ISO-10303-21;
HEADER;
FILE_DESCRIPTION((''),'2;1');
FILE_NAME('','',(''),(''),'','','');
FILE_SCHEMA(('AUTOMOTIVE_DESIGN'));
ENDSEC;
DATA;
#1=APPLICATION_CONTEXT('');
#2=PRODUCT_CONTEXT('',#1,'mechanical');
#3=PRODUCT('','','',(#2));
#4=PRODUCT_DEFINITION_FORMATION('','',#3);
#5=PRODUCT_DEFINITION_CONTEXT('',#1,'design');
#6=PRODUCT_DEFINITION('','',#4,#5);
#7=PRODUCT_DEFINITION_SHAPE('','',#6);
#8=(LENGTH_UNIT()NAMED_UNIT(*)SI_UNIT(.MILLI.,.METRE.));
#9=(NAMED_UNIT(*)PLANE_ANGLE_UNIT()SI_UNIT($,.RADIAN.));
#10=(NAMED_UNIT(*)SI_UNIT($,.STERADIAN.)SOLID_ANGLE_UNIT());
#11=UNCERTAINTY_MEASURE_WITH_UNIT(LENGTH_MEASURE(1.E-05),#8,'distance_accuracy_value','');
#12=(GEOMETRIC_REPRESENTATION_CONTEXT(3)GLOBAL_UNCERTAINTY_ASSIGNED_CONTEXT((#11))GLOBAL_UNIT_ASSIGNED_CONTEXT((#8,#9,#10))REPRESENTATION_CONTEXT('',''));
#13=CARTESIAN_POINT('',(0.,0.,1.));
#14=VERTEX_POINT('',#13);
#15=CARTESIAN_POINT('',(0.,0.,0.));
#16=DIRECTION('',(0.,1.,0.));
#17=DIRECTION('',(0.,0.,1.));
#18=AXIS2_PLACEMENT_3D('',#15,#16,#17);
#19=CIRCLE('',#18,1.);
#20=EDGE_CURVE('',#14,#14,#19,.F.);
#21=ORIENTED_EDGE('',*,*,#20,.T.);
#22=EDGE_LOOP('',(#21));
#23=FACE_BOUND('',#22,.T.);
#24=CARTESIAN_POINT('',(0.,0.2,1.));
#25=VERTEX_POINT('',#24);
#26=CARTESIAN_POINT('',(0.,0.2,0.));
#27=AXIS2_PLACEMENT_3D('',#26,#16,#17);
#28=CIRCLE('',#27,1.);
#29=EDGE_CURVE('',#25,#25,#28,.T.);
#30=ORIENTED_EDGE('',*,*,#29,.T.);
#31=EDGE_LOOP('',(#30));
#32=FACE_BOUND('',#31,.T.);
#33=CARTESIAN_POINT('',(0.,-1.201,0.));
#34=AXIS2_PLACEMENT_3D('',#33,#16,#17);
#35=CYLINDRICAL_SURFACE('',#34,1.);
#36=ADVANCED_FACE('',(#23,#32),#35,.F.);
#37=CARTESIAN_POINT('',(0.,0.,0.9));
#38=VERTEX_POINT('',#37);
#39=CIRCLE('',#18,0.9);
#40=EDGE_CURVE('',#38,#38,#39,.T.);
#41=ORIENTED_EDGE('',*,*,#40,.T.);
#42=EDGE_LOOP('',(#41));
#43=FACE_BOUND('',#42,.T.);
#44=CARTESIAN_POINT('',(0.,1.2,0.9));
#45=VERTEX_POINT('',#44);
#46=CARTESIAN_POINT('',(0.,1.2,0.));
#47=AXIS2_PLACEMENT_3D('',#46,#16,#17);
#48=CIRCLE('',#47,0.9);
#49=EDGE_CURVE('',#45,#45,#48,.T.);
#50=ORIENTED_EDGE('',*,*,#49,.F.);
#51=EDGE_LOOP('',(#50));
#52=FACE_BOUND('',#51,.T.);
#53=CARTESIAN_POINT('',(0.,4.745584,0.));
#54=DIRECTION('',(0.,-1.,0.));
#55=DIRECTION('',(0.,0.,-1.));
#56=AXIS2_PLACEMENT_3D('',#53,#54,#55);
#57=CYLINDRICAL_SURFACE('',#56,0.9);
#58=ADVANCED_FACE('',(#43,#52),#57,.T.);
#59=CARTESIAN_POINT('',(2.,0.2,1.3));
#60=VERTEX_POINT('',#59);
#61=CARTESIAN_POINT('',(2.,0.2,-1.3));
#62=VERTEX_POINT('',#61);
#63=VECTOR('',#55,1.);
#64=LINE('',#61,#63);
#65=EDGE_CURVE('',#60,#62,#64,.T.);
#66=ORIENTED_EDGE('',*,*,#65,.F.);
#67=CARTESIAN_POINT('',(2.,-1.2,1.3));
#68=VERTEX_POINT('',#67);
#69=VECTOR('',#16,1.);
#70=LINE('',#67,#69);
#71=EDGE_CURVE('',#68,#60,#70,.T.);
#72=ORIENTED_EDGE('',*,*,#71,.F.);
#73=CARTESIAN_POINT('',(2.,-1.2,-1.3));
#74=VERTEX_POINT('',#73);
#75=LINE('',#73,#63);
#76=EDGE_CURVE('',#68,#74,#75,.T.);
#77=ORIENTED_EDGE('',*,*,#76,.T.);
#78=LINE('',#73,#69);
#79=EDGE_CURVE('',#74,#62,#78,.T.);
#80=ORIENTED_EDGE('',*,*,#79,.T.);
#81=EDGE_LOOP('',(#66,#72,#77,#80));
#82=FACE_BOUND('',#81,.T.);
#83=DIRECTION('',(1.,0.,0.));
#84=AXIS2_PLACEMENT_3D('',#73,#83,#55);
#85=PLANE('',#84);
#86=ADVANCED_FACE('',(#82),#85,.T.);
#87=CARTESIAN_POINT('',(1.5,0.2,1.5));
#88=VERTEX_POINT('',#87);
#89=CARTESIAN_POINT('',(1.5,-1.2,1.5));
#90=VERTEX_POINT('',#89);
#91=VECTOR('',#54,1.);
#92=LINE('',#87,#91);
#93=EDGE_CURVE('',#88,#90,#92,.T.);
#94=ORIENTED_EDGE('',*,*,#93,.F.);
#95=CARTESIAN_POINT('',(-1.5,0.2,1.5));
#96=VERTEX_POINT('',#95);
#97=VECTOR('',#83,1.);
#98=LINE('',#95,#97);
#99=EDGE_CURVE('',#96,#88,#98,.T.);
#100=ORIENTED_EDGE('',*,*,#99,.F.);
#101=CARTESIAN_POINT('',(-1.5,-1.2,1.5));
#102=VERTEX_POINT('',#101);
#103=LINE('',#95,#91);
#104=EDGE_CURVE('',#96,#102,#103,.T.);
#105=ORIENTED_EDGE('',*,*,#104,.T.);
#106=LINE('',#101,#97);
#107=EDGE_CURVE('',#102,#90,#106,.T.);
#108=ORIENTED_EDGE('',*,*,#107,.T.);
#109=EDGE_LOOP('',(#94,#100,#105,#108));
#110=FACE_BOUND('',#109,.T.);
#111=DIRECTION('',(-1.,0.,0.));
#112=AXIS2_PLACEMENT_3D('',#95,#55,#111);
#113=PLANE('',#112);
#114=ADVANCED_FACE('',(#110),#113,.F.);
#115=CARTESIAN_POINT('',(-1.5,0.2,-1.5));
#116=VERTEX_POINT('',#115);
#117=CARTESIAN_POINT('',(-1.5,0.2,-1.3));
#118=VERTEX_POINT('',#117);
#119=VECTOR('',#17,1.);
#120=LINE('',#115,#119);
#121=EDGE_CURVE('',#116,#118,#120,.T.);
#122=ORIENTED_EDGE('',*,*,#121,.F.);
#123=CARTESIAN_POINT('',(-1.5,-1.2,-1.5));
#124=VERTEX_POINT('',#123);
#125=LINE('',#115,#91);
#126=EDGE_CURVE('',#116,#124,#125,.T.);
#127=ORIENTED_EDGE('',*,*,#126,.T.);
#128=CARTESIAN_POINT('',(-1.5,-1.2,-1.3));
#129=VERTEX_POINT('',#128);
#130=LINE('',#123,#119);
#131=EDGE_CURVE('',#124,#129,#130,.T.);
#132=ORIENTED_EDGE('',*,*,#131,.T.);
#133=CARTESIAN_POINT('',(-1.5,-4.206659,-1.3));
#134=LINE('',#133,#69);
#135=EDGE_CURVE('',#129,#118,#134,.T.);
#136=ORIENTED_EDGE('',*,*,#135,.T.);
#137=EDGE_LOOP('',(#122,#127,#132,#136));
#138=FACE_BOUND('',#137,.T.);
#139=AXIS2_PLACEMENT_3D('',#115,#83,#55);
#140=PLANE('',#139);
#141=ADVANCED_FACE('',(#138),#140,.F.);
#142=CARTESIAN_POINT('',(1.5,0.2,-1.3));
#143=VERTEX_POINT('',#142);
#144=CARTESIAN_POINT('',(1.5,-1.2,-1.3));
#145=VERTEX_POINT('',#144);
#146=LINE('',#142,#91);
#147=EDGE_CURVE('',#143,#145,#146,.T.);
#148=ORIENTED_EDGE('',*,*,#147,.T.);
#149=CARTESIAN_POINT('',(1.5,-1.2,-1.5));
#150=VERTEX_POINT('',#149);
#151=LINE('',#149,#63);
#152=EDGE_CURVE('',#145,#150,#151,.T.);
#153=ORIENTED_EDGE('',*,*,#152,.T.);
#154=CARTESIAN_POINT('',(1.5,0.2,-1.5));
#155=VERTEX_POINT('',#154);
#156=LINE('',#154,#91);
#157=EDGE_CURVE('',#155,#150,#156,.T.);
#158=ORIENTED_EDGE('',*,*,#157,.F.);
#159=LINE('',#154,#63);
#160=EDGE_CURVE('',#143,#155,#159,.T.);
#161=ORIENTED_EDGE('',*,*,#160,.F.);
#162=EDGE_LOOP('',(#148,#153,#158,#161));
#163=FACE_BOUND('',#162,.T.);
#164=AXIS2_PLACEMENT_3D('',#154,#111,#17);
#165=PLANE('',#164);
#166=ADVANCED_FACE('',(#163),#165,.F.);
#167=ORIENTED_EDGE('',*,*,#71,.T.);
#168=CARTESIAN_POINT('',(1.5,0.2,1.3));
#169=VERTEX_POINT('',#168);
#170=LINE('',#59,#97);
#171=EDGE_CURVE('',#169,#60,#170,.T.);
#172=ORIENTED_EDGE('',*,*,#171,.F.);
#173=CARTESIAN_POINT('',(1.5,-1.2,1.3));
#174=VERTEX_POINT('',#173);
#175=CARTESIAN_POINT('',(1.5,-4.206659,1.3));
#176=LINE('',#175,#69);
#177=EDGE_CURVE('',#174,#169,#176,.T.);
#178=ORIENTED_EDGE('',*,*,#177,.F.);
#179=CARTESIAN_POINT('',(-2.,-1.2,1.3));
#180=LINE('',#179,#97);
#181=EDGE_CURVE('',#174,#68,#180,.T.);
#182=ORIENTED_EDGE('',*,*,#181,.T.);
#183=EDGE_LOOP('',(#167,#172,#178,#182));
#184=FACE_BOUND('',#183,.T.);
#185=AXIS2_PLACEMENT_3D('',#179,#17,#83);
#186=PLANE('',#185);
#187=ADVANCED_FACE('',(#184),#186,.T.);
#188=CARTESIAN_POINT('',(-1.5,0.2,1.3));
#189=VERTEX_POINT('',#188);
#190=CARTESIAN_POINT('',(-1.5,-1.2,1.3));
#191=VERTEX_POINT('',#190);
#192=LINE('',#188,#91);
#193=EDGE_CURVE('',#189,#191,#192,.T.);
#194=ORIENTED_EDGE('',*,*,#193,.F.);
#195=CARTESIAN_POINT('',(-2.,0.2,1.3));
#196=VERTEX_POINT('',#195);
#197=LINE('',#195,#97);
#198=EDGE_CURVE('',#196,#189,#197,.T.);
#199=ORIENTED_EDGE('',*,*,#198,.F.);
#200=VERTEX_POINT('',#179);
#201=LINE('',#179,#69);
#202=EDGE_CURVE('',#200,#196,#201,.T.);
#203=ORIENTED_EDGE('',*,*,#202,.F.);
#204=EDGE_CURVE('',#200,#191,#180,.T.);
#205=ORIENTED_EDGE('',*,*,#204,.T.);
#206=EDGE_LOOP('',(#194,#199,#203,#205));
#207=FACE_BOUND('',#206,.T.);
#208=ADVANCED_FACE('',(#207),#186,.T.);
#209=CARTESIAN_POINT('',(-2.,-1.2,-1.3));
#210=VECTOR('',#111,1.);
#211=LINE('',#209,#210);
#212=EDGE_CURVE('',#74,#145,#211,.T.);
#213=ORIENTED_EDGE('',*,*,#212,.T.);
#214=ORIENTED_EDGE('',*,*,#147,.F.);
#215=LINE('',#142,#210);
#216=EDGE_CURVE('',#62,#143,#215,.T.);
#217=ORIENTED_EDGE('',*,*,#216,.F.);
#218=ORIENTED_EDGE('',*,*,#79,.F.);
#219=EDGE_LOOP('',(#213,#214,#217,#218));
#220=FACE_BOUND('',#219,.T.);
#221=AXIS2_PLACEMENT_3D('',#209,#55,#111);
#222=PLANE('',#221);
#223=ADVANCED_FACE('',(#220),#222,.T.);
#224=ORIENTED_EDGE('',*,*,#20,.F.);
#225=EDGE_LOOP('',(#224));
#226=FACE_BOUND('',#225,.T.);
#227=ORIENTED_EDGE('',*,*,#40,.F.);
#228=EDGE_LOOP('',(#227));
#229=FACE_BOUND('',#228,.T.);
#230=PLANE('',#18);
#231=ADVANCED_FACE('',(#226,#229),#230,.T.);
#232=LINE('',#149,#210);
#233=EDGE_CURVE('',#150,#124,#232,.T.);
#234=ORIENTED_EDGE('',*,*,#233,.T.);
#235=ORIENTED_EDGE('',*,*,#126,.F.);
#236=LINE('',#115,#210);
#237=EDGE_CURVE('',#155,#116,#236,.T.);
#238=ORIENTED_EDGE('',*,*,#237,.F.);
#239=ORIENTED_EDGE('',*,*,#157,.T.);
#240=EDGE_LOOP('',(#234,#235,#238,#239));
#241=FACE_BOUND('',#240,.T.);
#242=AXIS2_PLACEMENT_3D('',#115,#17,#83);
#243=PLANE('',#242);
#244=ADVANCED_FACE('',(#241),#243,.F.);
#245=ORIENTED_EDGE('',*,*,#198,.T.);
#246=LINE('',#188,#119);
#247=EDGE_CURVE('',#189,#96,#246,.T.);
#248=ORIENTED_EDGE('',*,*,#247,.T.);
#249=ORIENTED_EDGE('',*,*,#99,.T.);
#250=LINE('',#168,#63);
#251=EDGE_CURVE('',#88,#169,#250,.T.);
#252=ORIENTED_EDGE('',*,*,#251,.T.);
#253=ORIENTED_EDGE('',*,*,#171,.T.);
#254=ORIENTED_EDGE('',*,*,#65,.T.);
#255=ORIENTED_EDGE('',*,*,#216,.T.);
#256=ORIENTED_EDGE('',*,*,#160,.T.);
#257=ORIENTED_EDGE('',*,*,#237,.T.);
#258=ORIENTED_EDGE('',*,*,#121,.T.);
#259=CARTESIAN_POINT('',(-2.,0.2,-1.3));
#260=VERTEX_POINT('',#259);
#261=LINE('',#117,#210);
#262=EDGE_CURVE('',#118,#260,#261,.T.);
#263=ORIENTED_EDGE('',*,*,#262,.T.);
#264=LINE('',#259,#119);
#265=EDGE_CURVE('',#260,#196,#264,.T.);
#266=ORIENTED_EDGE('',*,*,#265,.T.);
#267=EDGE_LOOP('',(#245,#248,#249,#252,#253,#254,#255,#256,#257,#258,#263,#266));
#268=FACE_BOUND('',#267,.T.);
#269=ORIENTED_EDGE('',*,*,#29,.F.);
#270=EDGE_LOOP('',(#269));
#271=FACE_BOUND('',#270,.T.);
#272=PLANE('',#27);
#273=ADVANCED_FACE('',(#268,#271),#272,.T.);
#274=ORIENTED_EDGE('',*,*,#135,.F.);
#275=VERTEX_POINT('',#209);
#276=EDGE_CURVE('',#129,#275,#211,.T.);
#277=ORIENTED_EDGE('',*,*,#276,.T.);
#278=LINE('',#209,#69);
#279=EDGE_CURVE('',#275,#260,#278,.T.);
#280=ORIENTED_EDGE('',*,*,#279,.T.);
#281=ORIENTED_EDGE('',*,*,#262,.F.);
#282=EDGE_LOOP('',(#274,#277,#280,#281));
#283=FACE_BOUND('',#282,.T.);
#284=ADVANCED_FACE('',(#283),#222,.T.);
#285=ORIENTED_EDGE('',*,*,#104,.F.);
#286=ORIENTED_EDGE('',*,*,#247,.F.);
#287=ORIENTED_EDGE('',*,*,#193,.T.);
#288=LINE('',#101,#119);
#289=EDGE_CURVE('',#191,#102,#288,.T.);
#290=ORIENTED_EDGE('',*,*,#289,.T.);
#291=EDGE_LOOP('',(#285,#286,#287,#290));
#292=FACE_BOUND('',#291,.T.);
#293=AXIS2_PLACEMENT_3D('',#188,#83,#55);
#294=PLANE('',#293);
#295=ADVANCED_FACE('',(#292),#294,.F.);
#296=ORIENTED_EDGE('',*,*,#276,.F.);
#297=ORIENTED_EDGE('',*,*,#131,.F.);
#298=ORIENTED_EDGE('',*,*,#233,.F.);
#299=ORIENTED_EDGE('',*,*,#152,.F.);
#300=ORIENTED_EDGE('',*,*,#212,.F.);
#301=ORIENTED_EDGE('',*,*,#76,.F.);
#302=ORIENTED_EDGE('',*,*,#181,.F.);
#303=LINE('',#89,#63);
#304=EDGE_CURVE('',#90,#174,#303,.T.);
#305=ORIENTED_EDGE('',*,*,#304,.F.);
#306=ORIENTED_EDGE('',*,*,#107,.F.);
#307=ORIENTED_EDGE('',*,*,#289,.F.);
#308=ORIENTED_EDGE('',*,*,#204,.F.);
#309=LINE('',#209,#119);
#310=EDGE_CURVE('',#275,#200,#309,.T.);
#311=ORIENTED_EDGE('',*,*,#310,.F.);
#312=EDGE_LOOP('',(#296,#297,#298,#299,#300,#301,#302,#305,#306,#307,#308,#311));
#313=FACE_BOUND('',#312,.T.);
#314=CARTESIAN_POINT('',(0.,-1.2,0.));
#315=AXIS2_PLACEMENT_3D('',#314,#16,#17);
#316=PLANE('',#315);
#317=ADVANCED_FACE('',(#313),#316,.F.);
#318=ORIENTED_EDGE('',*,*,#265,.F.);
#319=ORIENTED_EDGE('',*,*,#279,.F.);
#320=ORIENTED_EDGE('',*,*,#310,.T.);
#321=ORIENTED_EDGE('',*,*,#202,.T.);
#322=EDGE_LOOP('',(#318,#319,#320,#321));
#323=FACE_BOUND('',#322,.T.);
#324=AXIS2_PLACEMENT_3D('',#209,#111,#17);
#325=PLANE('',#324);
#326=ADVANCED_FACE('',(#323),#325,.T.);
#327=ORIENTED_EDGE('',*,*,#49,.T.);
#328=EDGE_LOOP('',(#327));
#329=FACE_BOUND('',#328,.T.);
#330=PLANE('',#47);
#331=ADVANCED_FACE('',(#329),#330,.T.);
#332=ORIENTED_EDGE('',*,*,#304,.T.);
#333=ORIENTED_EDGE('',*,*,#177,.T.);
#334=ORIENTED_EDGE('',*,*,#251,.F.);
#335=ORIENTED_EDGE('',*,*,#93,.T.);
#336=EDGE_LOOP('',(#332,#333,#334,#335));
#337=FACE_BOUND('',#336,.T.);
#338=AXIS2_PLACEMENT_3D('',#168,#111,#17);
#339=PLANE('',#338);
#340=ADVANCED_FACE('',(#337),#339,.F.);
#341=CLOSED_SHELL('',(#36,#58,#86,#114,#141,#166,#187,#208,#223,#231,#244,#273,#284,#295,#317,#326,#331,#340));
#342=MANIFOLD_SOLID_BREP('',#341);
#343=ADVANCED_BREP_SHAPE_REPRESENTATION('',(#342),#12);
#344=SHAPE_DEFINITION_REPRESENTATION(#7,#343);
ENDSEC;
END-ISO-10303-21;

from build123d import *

# Parameters (mm, degrees)
SKETCH1_W           = 4
SKETCH1_H           = 2.6
BOSS_EXTRUDE1_DEPTH = 1.2
BOSS_EXTRUDE2_DEPTH = 0.2
SKETCH3_W           = 3
SKETCH3_H           = 0.2
BOSS_EXTRUDE3_DEPTH = 1.2
SKETCH4_R           = 1
CUT_EXTRUDE1_DEPTH  = 0.2
SKETCH5_R           = 0.9
BOSS_EXTRUDE4_DEPTH = 1.2


with BuildPart() as part:
    # Sketch1 → Boss-Extrude1 (new body)
    with BuildSketch(Plane(origin=(0, 0, 0), x_dir=(1, 0, 0), z_dir=(0, 1, 0))):
        Rectangle(SKETCH1_W, SKETCH1_H)
    extrude(amount=-BOSS_EXTRUDE1_DEPTH)



with BuildPart() as body_2:
    # Sketch2 → Boss-Extrude2 (new body)
    with BuildSketch(Plane(origin=(0, 0, 0), x_dir=(1, 0, 0), z_dir=(0, 1, 0))):
        Polygon((-1.5, 1.5), (1.5, 1.5), (1.5, 1.3), (2, 1.3), (2, -1.3), (1.5, -1.3), (1.5, -1.5), (-1.5, -1.5), (-1.5, -1.3), (-2, -1.3), (-2, 1.3), (-1.5, 1.3), align=None)
    extrude(amount=BOSS_EXTRUDE2_DEPTH)

    # Sketch3 → Boss-Extrude3 (add)
    with BuildSketch(Plane(origin=(0, 0, 0), x_dir=(-1, 0, 0), z_dir=(0, -1, 0))):
        with Locations((0, -1.4)):
            Rectangle(SKETCH3_W, SKETCH3_H)
        with Locations((0, 1.4)):
            Rectangle(SKETCH3_W, SKETCH3_H)
    extrude(amount=BOSS_EXTRUDE3_DEPTH)

    # Sketch4 → Cut-Extrude1 (cut)
    with BuildSketch(Plane(origin=(0, 0.2, 0), x_dir=(1, 0, 0), z_dir=(0, 1, 0))):
        with Locations(Location((0, 0, 0), (0, 0, 270))):
            Circle(SKETCH4_R)
    extrude(amount=-CUT_EXTRUDE1_DEPTH, mode=Mode.SUBTRACT)


with BuildPart() as part_1:
    add(part.part)

    add(body_2.part)  # Boss-Extrude4 merges body 2
    # Sketch5 → Boss-Extrude4 (add)
    with BuildSketch(Plane(origin=(0, 0, 0), x_dir=(1, 0, 0), z_dir=(0, 1, 0))):
        with Locations(Location((0, 0, 0), (0, 0, 270))):
            Circle(SKETCH5_R)
    extrude(amount=BOSS_EXTRUDE4_DEPTH)


solid = part_1.part
